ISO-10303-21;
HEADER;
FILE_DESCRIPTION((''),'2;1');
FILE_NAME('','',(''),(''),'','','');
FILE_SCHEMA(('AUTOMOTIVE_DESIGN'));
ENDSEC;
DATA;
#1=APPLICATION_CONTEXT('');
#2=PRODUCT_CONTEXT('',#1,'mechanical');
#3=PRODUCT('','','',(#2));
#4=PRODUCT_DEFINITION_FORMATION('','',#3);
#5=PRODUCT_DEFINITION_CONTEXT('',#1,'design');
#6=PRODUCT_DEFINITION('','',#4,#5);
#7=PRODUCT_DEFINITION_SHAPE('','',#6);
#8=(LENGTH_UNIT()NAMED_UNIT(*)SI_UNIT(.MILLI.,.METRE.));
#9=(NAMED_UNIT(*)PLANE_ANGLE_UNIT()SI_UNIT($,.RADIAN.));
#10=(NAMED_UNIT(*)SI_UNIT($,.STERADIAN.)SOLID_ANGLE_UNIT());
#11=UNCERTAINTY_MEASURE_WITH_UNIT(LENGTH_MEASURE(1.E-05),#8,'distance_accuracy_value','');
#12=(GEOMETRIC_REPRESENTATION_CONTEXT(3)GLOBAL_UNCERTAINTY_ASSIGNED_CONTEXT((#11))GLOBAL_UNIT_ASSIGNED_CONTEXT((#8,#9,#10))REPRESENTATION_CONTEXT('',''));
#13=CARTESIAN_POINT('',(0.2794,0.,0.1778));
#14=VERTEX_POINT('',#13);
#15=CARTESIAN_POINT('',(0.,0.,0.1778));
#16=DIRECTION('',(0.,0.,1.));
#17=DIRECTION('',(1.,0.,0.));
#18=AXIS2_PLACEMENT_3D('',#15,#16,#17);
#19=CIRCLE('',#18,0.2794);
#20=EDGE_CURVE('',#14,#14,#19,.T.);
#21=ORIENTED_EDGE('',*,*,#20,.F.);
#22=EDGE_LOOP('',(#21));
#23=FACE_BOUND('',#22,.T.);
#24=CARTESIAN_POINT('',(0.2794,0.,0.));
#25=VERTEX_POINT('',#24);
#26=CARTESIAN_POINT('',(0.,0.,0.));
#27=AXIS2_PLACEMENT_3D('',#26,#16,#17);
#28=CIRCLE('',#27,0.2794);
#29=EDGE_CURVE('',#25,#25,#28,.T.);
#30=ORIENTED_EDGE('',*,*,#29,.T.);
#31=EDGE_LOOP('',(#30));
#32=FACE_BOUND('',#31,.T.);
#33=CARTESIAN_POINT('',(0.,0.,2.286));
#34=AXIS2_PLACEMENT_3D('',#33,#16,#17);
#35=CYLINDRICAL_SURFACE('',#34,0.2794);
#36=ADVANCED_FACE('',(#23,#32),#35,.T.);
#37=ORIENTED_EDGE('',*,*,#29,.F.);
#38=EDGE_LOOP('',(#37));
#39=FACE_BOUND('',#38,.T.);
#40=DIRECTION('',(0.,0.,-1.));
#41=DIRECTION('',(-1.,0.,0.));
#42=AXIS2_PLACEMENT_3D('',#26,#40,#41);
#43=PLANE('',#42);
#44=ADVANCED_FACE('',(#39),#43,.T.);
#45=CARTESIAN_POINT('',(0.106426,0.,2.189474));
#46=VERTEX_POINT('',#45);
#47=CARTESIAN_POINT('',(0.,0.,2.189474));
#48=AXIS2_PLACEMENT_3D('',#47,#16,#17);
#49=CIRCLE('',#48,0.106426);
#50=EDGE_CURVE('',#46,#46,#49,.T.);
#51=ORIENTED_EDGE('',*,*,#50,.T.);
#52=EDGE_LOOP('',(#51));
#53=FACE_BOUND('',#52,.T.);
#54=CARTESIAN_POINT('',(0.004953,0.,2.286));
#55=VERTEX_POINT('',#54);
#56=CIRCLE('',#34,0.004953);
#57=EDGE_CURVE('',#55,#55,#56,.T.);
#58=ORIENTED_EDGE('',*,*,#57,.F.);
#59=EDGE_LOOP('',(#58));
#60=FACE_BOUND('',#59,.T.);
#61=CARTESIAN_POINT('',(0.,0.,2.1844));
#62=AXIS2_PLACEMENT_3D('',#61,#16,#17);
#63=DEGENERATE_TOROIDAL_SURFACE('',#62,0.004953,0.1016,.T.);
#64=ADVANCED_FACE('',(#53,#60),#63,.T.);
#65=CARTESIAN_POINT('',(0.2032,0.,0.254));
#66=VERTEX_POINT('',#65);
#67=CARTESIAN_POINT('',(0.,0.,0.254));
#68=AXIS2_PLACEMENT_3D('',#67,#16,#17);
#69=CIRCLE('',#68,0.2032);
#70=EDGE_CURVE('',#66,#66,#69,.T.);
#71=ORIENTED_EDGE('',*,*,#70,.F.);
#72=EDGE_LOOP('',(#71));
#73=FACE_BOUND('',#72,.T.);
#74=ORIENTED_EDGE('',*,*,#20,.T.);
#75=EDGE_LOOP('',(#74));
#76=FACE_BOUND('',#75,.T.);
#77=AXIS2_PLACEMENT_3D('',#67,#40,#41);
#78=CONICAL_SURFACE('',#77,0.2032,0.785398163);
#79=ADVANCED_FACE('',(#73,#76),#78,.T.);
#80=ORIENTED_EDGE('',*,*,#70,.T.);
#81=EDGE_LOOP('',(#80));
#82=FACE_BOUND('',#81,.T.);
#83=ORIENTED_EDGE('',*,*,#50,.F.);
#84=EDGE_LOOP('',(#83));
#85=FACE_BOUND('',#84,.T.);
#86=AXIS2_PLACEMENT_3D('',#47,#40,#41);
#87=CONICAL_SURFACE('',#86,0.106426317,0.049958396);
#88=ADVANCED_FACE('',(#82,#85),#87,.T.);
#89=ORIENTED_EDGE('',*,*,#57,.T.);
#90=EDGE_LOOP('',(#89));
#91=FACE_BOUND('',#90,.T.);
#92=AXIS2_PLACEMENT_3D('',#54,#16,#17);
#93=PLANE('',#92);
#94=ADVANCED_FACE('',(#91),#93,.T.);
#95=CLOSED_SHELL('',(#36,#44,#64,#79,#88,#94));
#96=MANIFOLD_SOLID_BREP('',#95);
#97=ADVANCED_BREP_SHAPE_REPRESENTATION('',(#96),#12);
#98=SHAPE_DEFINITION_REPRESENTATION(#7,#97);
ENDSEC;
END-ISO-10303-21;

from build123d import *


with BuildPart() as part:
    # Sketch1 → Revolve1 (revolve)
    with BuildSketch(Plane(origin=(0, 0, 0), x_dir=(1, 0, 0), z_dir=(0, 1, 0))):
        with BuildLine():
            Line((0, 0), (0.2794, 0))
            Line((0.2794, 0), (0.2794, -0.1778))
            Line((0.2794, -0.1778), (0.2032, -0.254))
            Line((0.2032, -0.254), (0.106426317, -2.189473662))
            ThreePointArc((0.106426317, -2.189473662), (0.074978346, -2.258014007), (0.004953079, -2.286))
            Line((0.004953079, -2.286), (0, -2.286))
            Line((0, -2.286), (0, 0))
        make_face()
    revolve(axis=Axis((0, 0, 2.286), (0, 0, -1)))


solid = part.part
